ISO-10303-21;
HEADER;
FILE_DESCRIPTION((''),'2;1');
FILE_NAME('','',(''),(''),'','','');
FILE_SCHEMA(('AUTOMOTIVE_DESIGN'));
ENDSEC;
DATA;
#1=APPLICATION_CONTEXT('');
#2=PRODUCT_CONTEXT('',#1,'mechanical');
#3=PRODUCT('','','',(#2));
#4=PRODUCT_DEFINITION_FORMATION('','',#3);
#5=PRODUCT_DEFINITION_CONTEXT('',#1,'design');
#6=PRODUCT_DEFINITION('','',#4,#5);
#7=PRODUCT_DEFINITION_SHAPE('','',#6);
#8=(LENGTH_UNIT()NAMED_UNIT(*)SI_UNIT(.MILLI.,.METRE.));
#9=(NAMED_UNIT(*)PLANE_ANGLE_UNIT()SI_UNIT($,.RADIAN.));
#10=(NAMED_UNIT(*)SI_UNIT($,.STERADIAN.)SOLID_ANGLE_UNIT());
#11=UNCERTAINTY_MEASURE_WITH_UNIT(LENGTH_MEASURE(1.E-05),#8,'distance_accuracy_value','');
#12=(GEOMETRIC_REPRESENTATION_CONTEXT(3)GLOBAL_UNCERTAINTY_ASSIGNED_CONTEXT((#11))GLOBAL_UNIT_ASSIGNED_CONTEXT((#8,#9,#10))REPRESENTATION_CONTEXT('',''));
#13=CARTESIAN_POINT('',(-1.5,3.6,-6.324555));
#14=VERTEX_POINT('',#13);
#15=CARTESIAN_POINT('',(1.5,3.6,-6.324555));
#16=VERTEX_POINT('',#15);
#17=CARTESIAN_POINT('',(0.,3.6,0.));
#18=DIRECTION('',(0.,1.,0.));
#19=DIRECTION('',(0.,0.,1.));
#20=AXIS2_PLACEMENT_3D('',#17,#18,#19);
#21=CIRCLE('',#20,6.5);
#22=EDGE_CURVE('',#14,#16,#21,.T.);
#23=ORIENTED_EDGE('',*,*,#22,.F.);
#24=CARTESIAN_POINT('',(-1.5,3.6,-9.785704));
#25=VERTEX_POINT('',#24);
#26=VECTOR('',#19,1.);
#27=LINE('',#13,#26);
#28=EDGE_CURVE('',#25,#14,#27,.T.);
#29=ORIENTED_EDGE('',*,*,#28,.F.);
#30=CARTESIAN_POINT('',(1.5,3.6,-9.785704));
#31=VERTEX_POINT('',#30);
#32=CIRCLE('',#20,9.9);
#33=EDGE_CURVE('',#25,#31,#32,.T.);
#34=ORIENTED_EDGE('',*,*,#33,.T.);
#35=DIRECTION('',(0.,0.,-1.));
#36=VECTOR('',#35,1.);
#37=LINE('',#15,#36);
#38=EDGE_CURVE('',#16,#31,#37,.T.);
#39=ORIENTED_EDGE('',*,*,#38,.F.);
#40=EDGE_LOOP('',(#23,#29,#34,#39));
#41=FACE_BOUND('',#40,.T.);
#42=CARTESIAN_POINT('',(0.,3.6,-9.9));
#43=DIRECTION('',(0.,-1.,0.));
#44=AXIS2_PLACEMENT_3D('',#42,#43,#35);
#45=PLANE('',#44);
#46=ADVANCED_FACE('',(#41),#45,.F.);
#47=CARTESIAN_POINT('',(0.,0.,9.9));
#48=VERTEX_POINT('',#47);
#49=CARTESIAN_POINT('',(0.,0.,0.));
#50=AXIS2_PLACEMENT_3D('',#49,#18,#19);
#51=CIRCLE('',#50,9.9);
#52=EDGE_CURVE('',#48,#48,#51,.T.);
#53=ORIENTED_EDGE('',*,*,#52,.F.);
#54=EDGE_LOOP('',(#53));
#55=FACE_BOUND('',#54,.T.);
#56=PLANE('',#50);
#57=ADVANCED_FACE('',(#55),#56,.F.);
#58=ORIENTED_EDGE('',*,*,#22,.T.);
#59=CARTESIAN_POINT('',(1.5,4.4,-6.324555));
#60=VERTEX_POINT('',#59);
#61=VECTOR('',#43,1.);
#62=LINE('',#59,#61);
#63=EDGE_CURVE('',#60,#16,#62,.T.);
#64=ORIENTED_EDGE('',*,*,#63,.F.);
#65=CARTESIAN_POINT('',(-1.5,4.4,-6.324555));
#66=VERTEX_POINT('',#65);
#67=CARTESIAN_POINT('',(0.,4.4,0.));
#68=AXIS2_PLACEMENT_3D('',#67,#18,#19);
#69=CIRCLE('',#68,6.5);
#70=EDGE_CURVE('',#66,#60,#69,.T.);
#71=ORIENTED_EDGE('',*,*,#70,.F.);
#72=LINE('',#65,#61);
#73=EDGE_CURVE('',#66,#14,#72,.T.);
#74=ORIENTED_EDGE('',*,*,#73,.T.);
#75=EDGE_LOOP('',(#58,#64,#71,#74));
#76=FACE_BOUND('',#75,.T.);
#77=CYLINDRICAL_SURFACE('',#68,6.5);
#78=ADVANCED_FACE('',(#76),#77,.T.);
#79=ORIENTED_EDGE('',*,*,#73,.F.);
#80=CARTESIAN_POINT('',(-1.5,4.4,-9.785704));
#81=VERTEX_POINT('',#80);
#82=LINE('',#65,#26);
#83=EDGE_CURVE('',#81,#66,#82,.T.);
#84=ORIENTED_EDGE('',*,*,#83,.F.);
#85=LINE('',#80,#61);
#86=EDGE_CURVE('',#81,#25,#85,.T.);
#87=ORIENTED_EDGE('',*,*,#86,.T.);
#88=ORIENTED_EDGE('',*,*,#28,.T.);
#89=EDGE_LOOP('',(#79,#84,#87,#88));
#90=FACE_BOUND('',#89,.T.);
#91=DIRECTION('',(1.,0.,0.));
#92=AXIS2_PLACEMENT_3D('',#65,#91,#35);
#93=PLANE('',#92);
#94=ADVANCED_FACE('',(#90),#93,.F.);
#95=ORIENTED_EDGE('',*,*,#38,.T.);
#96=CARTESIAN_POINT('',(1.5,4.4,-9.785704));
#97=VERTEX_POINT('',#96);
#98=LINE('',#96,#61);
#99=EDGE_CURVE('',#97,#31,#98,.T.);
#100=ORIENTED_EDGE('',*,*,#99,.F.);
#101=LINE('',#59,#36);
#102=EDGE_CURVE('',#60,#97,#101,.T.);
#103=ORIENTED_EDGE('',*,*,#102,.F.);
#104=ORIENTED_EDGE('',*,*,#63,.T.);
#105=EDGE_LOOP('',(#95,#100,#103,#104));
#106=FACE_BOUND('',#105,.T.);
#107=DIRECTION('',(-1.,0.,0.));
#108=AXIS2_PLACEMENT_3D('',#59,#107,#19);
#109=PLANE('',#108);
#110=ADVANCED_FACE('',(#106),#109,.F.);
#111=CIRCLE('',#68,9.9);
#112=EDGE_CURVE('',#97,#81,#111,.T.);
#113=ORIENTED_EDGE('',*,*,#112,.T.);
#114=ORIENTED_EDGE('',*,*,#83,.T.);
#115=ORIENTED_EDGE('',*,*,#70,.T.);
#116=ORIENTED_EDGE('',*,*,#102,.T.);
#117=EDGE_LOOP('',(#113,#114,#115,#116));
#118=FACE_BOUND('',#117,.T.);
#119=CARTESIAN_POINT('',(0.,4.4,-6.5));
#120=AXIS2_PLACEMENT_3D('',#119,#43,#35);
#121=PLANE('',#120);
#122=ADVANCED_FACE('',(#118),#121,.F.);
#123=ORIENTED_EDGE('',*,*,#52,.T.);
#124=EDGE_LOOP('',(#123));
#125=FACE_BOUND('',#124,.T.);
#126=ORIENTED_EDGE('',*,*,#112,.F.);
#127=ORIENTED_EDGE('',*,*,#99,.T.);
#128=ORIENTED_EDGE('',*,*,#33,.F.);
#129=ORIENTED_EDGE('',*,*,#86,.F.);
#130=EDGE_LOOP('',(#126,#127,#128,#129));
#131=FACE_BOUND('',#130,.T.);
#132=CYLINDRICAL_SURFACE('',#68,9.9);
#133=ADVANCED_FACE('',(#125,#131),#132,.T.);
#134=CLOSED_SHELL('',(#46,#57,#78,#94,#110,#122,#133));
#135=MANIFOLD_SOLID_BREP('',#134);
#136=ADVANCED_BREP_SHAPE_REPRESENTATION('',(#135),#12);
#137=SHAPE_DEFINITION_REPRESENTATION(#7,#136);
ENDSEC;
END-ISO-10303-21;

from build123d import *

# Parameters (mm, degrees)
BOSS_EXTRUDE1_DEPTH = 0.8


with BuildPart() as part:
    # Sketch1 → Revolve1 (revolve)
    with BuildSketch(Plane(origin=(0, 0, 0), x_dir=(0, 0, -1), z_dir=(1, 0, 0))):
        Polygon((0, 0), (9.9, 0), (9.9, 3.6), (6.5, 3.6), (6.5, 4.4), (0, 4.4), align=None)
    revolve(axis=Axis((0, 4.4, 0), (0, -1, 0)))

    # Sketch2 → Boss-Extrude1 (add)
    with BuildSketch(Plane(origin=(0, 3.6, 0), x_dir=(1, 0, 0), z_dir=(0, 1, 0))):
        with BuildLine():
            Line((-1.5, 6.32455532), (1.5, 6.32455532))
            Line((1.5, 6.32455532), (1.5, 9.785703858))
            ThreePointArc((1.5, 9.785703858), (0, 9.9), (-1.5, 9.785703858))
            Line((-1.5, 9.785703858), (-1.5, 6.32455532))
        make_face()
    extrude(amount=BOSS_EXTRUDE1_DEPTH)


solid = part.part
